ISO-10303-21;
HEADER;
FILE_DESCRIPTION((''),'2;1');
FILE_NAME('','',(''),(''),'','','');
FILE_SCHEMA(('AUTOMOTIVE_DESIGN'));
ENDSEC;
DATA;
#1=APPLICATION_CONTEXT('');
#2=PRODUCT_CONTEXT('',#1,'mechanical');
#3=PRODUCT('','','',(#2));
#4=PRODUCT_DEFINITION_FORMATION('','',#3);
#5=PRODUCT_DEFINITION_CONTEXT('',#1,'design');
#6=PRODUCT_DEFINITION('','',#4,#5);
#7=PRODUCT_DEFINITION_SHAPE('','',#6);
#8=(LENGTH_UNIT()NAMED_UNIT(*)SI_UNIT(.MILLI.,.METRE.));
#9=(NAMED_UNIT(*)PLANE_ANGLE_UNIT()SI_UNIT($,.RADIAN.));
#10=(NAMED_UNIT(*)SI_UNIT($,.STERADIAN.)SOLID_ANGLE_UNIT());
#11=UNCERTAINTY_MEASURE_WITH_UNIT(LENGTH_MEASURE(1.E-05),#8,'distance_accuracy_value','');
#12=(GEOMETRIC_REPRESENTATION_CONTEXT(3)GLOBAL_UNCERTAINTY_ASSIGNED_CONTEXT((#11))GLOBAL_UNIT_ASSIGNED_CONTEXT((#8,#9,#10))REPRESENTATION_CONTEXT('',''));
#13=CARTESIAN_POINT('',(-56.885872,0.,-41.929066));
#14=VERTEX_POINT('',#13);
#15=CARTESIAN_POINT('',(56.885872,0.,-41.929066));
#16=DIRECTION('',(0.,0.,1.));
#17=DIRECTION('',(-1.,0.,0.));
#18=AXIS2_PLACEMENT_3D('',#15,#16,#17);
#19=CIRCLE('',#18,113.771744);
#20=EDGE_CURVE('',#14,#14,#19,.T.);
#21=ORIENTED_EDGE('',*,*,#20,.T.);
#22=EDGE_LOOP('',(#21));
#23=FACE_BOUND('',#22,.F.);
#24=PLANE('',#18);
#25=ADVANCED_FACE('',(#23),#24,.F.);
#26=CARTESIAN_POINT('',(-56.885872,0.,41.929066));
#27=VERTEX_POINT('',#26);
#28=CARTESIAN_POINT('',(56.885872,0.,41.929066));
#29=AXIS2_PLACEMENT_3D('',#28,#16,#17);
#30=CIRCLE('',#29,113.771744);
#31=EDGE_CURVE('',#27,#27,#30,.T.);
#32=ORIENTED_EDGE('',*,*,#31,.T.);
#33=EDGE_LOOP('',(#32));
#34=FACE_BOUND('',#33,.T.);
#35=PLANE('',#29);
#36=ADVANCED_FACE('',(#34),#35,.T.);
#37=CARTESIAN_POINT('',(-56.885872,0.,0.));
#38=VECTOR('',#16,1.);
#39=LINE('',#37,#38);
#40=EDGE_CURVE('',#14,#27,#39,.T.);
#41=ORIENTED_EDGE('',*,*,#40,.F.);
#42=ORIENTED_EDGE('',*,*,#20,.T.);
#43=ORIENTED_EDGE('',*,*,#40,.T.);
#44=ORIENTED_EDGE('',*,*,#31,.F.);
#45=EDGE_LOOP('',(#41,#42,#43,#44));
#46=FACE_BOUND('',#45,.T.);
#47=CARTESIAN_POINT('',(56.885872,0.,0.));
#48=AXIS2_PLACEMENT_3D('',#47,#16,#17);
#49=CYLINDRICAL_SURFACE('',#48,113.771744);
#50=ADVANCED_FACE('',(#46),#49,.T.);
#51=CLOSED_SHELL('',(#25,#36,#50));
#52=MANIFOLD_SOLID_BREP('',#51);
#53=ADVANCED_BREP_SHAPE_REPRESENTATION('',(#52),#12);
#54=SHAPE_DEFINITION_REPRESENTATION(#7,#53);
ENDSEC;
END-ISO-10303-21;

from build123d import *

# Parameters (mm, degrees)
F0_W = 113.771744
F0_H = 83.858132


with BuildPart() as f1:
    # F0 (on Front) → F1 (revolve)
    with BuildSketch(Plane.XZ):
        Rectangle(F0_W, F0_H)
    revolve(axis=Axis((56.885872, 0, 0), (0, 0, 1)))


solid = f1.part
